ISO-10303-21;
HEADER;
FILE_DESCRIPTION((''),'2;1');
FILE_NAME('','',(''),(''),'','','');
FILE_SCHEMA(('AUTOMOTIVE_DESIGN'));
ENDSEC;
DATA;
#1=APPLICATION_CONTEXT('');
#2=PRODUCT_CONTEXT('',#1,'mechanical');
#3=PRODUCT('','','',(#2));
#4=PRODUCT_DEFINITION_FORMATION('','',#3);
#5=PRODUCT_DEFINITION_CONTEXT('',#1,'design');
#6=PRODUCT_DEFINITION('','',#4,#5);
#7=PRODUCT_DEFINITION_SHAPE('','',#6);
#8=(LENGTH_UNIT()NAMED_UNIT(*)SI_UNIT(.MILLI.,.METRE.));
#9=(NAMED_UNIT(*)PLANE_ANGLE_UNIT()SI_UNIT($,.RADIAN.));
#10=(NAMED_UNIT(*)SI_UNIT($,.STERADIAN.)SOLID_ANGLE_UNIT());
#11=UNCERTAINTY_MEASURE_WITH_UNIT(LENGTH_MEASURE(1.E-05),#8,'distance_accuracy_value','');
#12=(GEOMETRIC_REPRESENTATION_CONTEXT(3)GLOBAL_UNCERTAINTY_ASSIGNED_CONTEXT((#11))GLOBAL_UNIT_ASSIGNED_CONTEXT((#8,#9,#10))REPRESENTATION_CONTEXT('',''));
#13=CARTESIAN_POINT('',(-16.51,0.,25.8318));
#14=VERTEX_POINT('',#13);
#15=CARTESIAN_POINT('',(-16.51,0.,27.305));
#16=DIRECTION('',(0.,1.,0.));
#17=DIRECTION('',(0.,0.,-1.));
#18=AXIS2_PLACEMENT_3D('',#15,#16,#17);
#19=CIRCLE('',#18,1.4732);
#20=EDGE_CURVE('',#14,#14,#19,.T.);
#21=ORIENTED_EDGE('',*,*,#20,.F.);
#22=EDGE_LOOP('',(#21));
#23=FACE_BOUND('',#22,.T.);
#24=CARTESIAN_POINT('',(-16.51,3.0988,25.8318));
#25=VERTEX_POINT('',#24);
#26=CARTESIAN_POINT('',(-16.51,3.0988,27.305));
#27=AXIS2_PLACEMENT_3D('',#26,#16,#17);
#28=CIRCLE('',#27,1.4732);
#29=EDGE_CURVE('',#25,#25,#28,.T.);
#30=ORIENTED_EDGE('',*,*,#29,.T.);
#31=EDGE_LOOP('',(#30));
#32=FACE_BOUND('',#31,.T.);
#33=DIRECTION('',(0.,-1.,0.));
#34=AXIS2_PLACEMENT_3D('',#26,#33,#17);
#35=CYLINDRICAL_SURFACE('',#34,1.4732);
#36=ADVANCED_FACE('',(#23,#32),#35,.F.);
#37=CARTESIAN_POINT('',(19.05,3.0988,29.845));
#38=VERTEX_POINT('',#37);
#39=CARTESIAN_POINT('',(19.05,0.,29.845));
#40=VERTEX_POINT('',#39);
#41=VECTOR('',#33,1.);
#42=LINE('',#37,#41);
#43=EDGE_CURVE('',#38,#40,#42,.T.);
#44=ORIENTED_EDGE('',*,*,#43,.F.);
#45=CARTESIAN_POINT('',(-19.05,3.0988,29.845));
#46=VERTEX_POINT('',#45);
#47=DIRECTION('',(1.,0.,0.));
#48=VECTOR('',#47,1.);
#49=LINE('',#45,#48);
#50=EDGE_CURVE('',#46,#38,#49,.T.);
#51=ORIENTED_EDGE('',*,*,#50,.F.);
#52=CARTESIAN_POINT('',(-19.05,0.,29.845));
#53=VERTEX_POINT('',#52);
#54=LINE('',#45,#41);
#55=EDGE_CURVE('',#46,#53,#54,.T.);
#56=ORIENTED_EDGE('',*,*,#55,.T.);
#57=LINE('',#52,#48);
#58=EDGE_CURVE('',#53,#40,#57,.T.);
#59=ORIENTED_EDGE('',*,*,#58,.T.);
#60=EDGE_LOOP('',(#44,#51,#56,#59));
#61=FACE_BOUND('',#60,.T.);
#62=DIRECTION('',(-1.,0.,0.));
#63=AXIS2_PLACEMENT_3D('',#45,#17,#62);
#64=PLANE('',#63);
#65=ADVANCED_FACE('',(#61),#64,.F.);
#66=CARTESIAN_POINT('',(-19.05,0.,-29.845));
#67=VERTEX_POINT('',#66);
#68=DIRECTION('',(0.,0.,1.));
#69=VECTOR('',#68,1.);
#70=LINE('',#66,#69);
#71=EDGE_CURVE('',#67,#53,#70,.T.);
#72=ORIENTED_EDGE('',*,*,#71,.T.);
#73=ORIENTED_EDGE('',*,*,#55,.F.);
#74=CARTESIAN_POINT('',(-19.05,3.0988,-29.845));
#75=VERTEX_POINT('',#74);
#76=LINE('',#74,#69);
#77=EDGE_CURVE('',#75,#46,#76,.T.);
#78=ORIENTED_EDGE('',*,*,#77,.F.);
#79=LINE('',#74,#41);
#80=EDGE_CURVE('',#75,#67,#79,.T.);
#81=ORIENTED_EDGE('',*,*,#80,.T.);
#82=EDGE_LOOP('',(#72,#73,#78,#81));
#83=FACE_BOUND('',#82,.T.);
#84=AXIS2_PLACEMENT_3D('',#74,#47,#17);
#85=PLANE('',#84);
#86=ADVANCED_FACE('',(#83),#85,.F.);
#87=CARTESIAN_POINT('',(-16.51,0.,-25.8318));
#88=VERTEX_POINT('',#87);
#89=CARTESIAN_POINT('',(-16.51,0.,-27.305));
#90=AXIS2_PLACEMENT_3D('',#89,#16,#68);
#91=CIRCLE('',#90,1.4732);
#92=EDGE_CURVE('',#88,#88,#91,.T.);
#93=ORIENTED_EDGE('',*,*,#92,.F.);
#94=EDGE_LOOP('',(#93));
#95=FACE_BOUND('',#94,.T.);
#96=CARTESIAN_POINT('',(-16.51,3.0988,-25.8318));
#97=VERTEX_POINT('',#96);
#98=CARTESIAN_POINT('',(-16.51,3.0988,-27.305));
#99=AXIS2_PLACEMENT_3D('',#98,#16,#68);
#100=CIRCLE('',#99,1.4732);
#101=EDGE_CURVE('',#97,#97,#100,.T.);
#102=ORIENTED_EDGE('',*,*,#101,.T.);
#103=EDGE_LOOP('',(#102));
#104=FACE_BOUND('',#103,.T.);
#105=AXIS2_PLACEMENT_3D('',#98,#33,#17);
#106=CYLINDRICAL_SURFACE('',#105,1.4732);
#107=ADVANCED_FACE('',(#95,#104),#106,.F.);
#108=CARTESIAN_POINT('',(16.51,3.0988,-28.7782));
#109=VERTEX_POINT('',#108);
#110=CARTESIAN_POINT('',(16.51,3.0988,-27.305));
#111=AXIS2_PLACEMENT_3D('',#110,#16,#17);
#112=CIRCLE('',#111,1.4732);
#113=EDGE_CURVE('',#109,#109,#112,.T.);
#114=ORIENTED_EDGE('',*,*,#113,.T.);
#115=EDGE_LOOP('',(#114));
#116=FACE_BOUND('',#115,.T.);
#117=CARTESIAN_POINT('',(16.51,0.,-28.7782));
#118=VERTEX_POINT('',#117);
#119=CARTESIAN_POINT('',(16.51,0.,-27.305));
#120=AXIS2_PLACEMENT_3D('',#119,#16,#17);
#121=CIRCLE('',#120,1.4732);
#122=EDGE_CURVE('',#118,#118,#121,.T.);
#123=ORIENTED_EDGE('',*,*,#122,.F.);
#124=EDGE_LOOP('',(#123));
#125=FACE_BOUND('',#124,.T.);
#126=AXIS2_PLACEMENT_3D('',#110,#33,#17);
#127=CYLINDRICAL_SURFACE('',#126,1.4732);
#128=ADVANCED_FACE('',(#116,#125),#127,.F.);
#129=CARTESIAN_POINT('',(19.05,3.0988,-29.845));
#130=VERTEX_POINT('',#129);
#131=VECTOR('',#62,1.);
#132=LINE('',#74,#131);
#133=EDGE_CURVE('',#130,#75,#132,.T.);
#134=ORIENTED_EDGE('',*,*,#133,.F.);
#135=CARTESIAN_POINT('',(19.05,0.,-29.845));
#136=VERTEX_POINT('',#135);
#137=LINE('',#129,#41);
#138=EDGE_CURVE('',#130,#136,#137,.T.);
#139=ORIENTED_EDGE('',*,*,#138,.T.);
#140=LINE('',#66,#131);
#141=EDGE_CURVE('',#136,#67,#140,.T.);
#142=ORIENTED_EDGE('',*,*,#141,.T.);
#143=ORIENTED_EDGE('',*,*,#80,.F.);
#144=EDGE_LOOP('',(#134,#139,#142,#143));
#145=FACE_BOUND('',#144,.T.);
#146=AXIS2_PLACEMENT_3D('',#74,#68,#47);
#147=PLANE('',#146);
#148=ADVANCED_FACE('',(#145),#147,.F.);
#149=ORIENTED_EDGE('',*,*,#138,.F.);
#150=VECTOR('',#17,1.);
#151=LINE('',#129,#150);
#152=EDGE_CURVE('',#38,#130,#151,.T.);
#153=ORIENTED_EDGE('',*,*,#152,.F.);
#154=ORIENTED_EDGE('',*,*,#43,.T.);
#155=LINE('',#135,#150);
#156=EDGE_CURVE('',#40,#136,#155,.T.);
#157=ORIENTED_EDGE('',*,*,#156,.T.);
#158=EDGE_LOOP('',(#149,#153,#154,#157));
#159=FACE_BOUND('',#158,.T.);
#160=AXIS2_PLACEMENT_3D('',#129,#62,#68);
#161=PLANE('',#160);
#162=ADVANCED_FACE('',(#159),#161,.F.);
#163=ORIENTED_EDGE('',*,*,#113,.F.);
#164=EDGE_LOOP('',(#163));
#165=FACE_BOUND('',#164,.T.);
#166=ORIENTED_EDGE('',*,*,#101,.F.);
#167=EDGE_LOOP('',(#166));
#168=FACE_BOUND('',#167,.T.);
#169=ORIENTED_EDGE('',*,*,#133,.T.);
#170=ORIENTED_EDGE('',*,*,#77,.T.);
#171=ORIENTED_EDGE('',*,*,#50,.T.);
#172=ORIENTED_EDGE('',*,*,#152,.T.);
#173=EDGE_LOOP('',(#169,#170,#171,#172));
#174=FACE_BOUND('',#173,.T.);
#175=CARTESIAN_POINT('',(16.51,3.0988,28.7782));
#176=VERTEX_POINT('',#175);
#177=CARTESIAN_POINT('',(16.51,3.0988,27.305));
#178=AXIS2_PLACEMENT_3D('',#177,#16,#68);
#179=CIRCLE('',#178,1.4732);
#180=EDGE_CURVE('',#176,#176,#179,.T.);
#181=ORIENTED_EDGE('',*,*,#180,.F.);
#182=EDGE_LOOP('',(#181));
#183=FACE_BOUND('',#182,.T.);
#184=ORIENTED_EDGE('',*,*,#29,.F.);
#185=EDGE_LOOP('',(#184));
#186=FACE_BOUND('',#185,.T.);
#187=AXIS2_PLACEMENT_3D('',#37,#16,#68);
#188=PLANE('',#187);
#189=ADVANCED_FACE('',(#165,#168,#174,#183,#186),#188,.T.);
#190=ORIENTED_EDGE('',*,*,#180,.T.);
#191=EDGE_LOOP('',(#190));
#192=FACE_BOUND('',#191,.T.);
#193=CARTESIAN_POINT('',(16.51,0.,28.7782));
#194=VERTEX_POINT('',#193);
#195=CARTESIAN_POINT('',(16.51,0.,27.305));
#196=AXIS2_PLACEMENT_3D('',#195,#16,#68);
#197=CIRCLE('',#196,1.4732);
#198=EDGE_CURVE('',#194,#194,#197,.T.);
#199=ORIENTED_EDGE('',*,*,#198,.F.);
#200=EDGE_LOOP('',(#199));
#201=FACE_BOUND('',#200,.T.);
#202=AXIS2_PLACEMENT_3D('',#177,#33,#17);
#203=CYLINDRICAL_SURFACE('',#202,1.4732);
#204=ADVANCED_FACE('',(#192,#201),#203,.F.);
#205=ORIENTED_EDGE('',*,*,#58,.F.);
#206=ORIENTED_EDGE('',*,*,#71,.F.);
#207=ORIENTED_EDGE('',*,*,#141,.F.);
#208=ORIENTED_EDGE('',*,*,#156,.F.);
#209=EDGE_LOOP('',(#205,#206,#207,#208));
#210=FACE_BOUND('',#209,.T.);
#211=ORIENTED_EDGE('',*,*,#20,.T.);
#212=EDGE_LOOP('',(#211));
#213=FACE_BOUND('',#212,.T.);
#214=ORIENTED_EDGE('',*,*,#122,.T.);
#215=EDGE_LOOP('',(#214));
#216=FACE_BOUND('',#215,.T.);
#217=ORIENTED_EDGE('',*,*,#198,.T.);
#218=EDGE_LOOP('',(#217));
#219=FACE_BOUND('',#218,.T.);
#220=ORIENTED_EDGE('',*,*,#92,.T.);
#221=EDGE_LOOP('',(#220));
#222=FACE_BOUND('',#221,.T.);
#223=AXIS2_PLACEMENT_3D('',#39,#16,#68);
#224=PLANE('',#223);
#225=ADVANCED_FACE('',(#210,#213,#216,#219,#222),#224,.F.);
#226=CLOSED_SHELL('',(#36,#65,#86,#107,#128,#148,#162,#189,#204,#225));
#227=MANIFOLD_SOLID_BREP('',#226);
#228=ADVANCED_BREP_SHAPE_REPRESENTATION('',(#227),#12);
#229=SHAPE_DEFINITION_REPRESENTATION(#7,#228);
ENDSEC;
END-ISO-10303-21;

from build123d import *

# Parameters (mm, degrees)
SKETCH1_W           = 38.1
SKETCH1_H           = 59.69
SKETCH1_R           = 1.4732
BOSS_EXTRUDE1_DEPTH = 3.0988


with BuildPart() as part:
    # Sketch1 → Boss-Extrude1 (new body)
    with BuildSketch(Plane(origin=(0, 0, 0), x_dir=(1, 0, 0), z_dir=(0, 1, 0))):
        Rectangle(SKETCH1_W, SKETCH1_H)
        with Locations(Location((-16.51, 27.305, 0), (0, 0, 270))):
            Circle(SKETCH1_R, mode=Mode.SUBTRACT)
        with Locations(Location((16.51, 27.305, 0), (0, 0, 90))):
            Circle(SKETCH1_R, mode=Mode.SUBTRACT)
        with Locations(Location((-16.51, -27.305, 0), (0, 0, 90))):
            Circle(SKETCH1_R, mode=Mode.SUBTRACT)
        with Locations(Location((16.51, -27.305, 0), (0, 0, 270))):
            Circle(SKETCH1_R, mode=Mode.SUBTRACT)
    extrude(amount=BOSS_EXTRUDE1_DEPTH)


solid = part.part
